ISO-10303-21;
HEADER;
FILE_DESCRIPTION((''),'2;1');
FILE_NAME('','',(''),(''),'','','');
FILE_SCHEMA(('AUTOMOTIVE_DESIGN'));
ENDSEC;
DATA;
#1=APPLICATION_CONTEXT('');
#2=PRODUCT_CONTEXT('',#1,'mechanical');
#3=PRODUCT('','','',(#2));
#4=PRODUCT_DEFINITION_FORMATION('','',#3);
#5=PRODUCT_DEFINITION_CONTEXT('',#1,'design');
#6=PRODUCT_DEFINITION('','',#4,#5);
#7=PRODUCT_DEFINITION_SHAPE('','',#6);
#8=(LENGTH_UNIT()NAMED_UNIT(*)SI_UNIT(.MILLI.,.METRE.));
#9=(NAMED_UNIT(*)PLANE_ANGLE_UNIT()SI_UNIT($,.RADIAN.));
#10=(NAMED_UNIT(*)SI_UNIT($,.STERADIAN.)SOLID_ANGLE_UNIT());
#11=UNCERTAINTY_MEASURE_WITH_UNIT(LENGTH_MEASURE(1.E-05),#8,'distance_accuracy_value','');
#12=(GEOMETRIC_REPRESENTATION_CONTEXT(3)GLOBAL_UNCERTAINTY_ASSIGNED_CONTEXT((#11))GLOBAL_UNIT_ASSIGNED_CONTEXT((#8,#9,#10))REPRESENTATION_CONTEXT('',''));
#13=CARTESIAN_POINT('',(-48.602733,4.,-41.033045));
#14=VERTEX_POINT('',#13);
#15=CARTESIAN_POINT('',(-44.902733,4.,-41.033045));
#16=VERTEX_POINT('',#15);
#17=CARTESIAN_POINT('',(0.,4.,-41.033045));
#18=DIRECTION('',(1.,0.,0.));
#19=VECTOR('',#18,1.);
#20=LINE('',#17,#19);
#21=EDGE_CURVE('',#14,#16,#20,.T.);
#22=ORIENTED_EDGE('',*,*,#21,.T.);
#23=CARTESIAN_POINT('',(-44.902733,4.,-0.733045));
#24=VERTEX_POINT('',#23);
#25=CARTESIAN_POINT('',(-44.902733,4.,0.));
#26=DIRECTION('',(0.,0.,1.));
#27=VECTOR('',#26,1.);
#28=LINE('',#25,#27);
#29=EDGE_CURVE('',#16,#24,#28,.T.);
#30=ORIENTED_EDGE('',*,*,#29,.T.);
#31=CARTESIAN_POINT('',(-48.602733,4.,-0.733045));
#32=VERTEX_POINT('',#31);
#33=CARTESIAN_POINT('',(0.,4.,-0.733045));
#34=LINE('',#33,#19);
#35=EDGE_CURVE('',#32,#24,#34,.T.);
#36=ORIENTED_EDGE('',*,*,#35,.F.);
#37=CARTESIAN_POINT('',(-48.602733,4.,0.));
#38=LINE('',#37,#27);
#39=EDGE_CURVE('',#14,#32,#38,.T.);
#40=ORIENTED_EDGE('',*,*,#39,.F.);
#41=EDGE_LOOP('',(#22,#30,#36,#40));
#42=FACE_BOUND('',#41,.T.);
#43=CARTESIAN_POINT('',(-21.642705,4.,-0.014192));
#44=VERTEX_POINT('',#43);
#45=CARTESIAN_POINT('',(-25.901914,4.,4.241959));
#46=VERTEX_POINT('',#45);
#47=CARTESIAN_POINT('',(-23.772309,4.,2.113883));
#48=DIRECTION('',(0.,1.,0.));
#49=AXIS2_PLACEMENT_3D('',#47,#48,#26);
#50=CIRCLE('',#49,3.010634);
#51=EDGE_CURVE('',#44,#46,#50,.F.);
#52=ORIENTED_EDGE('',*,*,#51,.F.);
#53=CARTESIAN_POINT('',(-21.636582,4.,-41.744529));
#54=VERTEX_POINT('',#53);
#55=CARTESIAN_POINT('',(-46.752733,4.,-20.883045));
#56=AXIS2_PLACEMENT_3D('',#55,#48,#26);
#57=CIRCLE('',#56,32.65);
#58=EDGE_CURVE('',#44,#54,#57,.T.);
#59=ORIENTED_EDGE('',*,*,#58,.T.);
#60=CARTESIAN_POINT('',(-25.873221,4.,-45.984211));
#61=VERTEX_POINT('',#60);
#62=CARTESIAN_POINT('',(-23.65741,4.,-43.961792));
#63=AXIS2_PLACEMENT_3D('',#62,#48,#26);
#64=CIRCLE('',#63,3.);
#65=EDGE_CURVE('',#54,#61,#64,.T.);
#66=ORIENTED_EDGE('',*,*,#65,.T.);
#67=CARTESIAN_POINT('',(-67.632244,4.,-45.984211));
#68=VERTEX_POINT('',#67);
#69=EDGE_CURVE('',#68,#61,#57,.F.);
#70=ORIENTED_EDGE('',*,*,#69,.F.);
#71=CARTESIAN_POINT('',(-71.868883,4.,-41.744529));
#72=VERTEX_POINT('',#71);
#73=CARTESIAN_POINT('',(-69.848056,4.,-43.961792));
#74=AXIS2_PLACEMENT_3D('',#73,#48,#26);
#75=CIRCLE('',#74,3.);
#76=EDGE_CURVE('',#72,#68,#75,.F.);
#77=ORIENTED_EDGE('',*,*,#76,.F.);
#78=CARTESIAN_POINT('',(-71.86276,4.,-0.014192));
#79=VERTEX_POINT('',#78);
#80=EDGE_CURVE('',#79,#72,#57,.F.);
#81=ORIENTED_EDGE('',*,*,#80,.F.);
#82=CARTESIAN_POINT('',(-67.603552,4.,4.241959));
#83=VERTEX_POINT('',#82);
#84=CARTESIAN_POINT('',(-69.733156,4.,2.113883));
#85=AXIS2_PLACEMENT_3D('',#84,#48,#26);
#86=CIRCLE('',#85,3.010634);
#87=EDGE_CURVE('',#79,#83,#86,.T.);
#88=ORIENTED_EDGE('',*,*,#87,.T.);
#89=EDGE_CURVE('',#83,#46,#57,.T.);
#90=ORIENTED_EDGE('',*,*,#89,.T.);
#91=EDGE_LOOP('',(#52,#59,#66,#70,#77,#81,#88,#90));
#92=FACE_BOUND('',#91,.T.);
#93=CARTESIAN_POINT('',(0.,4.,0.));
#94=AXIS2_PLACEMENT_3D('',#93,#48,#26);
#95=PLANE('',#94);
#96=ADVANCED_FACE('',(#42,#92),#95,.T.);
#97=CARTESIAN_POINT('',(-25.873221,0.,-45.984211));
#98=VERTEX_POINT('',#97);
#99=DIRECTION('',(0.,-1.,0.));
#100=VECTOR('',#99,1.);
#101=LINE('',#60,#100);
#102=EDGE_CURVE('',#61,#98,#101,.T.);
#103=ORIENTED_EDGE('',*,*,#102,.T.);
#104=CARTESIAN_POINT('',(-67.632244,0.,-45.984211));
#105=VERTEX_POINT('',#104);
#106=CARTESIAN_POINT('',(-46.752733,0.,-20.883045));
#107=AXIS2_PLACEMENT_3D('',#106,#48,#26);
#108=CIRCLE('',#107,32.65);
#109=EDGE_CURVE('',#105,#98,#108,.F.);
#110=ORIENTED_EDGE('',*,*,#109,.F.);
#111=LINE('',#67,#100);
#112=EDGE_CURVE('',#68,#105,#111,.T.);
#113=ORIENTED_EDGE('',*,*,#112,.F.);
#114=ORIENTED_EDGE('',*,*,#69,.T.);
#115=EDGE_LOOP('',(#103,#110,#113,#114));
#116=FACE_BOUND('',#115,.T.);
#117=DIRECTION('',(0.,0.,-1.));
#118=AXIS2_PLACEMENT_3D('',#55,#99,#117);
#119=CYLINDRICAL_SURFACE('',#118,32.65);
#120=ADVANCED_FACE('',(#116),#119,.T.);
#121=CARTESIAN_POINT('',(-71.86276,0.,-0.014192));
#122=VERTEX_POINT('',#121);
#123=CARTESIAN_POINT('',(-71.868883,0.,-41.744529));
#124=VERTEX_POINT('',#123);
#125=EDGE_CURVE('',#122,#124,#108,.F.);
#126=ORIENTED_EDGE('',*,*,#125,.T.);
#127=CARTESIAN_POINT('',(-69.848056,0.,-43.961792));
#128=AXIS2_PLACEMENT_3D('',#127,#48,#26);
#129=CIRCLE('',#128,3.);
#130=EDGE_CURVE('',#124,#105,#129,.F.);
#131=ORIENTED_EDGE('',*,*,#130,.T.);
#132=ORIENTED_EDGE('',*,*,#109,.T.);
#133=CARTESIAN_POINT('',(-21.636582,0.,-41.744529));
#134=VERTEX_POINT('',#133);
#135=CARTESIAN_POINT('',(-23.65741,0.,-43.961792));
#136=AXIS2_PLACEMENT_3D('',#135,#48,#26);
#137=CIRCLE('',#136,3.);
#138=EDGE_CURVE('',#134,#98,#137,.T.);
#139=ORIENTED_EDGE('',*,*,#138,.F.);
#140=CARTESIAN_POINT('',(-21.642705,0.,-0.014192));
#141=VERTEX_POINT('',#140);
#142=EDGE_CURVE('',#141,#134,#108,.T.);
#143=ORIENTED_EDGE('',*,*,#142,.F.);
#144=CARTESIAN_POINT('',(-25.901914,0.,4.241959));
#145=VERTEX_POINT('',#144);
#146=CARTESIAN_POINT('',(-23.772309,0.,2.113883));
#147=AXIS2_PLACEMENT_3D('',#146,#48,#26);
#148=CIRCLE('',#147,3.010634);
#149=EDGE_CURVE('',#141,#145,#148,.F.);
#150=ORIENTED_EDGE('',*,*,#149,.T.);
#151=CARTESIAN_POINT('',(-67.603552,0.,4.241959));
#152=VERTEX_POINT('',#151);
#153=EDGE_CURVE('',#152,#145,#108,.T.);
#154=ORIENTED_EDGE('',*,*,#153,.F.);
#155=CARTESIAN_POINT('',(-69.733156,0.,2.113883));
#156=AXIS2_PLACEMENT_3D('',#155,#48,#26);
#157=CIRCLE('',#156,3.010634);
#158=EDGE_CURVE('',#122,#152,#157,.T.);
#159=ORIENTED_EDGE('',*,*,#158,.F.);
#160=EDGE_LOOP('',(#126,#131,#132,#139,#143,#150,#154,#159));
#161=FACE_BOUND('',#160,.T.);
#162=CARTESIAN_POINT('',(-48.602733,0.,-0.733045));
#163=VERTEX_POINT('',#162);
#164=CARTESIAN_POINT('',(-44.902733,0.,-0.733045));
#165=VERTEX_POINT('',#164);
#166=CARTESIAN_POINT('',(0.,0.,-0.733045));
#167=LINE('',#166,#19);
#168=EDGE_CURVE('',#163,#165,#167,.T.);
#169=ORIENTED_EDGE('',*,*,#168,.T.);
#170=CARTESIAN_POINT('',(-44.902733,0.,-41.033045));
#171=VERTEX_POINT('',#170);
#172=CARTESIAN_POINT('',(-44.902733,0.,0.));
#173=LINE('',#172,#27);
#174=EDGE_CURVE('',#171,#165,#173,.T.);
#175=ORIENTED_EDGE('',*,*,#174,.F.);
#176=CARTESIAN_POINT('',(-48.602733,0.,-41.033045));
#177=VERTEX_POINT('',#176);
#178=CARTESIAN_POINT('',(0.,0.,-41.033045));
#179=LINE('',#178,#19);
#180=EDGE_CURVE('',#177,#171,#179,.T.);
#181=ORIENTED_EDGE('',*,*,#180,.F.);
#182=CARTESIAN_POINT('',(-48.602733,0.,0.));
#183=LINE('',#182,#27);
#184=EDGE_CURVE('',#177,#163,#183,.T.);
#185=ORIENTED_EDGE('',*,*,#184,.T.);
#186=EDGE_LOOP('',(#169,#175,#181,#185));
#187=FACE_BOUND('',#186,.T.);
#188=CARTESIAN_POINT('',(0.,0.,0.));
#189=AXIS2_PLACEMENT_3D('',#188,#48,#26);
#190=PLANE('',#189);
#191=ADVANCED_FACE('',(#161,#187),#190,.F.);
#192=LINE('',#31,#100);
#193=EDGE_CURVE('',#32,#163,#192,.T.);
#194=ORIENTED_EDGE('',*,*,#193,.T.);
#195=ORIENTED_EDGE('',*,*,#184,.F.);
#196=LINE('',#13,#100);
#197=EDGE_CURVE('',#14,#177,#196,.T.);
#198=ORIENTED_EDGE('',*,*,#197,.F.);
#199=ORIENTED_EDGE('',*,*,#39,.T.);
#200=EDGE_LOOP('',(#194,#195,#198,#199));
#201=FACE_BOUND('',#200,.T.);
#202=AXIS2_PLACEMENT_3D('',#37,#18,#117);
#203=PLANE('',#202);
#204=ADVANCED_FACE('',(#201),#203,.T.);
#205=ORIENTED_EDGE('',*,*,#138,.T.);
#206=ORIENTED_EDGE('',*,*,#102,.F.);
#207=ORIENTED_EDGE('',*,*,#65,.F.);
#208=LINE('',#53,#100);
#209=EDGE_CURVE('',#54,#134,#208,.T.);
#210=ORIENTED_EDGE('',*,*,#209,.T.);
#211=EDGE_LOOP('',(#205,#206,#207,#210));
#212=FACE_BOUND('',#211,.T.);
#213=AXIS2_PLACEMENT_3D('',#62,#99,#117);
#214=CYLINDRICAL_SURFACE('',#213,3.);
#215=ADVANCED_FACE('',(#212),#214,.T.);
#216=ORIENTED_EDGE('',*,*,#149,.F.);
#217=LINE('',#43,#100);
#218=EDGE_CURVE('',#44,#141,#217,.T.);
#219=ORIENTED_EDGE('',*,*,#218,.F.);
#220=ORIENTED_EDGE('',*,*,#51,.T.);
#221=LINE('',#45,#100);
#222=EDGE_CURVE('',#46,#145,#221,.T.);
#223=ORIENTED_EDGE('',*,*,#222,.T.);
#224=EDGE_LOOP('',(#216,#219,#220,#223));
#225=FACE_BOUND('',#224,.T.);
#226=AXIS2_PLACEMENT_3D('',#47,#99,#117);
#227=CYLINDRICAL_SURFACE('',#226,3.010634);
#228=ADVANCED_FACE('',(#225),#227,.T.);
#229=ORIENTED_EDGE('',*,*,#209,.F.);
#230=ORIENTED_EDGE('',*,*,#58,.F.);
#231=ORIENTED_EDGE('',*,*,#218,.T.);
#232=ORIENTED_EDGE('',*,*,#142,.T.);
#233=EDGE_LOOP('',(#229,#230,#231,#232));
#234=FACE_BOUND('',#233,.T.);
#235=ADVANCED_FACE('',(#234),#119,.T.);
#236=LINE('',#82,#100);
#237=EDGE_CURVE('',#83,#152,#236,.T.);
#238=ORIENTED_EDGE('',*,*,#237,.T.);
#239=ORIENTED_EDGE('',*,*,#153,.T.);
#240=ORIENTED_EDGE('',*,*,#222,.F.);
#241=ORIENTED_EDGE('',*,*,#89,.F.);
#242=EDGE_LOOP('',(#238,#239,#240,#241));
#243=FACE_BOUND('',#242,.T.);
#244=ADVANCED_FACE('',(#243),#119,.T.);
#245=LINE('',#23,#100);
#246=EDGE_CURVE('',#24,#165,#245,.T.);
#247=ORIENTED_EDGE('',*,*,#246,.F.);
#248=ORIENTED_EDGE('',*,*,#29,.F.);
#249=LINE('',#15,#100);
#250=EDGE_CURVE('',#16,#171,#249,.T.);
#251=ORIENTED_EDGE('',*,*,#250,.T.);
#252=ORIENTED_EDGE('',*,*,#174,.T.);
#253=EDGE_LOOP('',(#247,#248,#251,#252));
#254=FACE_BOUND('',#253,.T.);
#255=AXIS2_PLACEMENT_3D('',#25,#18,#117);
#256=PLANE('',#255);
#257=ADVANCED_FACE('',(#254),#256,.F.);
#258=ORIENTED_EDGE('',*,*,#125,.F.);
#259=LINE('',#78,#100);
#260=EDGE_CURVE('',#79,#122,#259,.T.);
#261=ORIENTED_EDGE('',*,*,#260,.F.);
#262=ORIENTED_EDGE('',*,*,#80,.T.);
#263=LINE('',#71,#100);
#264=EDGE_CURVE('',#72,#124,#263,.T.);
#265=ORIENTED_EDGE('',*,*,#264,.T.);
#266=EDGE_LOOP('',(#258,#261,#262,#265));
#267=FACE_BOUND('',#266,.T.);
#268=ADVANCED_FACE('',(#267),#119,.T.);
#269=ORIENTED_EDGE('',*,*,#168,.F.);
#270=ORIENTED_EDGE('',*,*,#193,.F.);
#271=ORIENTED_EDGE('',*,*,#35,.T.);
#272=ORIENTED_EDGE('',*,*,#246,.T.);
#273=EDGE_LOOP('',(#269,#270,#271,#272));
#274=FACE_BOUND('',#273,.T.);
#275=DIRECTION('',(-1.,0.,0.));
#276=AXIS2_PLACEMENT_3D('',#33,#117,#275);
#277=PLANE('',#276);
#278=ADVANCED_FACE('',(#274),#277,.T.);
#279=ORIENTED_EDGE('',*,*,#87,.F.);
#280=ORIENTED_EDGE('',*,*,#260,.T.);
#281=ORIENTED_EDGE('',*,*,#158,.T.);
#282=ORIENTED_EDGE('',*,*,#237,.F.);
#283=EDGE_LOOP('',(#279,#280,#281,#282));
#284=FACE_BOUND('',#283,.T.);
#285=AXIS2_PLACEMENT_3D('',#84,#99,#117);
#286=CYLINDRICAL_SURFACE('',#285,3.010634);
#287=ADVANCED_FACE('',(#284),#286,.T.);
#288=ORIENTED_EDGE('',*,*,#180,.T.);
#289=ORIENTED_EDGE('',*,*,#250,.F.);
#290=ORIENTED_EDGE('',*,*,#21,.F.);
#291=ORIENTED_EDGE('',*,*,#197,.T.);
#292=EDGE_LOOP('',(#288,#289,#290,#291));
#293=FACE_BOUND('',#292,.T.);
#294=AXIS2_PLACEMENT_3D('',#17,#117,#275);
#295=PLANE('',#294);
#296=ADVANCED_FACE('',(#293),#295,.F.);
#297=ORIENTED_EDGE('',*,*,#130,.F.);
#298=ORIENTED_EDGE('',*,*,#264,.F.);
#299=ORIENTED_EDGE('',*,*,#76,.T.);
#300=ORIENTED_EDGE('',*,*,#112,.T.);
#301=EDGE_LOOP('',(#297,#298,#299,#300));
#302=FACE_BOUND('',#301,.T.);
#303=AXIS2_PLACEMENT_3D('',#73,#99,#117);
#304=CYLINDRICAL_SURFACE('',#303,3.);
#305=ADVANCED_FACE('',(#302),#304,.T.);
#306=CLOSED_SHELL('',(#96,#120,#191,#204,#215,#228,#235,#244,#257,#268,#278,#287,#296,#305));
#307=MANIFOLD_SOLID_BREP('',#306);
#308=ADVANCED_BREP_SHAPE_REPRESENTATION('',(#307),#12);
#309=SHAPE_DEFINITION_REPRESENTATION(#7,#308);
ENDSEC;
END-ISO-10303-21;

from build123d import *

# Parameters (mm, degrees)
BOSS_EXTRUDE1_DEPTH = 4


with BuildPart() as part:
    # Sketch1 → Boss-Extrude1 (new body)
    with BuildSketch(Plane(origin=(0, 0, 0), x_dir=(1, 0, 0), z_dir=(0, 1, 0))):
        with BuildLine():
            ThreePointArc((-71.868882923, 41.744528782), (-71.873310505, 41.73919705), (-71.877736955, 41.733864379))
            ThreePointArc((-71.877736955, 41.733864379), (-79.402730452, 20.871324191), (-71.862759828, 0.01419224))
            ThreePointArc((-71.862759828, 0.01419224), (-71.861231345, -4.243487526), (-67.603551579, -4.241959043))
            ThreePointArc((-67.603551579, -4.241959043), (-46.752732556, -11.766954644), (-25.901913533, -4.241959043))
            ThreePointArc((-25.901913533, -4.241959043), (-21.644233766, -4.243487526), (-21.642705283, 0.01419224))
            ThreePointArc((-21.642705283, 0.01419224), (-16.577915273, 8.412965085), (-14.235919977, 17.936963257))
            ThreePointArc((-14.235919977, 17.936963257), (-15.574380313, 30.574941531), (-21.636582188, 41.744528782))
            ThreePointArc((-21.636582188, 41.744528782), (-21.535327773, 46.082350824), (-25.873221397, 45.984210943))
            ThreePointArc((-25.873221397, 45.984210943), (-34.22276847, 51.033045356), (-43.691357182, 53.389206016))
            ThreePointArc((-43.691357182, 53.389206016), (-56.400529129, 52.075071922), (-67.632243714, 45.984210943))
            ThreePointArc((-67.632243714, 45.984210943), (-71.970137338, 46.082350824), (-71.868882923, 41.744528782))
        make_face()
        Polygon((-48.602732556, 0.733045356), (-48.602732556, 20.883045356), (-48.602732556, 41.033045356), (-44.902732556, 41.033045356), (-44.902732556, 20.883045356), (-44.902732556, 0.733045356), align=None, mode=Mode.SUBTRACT)
    extrude(amount=BOSS_EXTRUDE1_DEPTH)


solid = part.part
